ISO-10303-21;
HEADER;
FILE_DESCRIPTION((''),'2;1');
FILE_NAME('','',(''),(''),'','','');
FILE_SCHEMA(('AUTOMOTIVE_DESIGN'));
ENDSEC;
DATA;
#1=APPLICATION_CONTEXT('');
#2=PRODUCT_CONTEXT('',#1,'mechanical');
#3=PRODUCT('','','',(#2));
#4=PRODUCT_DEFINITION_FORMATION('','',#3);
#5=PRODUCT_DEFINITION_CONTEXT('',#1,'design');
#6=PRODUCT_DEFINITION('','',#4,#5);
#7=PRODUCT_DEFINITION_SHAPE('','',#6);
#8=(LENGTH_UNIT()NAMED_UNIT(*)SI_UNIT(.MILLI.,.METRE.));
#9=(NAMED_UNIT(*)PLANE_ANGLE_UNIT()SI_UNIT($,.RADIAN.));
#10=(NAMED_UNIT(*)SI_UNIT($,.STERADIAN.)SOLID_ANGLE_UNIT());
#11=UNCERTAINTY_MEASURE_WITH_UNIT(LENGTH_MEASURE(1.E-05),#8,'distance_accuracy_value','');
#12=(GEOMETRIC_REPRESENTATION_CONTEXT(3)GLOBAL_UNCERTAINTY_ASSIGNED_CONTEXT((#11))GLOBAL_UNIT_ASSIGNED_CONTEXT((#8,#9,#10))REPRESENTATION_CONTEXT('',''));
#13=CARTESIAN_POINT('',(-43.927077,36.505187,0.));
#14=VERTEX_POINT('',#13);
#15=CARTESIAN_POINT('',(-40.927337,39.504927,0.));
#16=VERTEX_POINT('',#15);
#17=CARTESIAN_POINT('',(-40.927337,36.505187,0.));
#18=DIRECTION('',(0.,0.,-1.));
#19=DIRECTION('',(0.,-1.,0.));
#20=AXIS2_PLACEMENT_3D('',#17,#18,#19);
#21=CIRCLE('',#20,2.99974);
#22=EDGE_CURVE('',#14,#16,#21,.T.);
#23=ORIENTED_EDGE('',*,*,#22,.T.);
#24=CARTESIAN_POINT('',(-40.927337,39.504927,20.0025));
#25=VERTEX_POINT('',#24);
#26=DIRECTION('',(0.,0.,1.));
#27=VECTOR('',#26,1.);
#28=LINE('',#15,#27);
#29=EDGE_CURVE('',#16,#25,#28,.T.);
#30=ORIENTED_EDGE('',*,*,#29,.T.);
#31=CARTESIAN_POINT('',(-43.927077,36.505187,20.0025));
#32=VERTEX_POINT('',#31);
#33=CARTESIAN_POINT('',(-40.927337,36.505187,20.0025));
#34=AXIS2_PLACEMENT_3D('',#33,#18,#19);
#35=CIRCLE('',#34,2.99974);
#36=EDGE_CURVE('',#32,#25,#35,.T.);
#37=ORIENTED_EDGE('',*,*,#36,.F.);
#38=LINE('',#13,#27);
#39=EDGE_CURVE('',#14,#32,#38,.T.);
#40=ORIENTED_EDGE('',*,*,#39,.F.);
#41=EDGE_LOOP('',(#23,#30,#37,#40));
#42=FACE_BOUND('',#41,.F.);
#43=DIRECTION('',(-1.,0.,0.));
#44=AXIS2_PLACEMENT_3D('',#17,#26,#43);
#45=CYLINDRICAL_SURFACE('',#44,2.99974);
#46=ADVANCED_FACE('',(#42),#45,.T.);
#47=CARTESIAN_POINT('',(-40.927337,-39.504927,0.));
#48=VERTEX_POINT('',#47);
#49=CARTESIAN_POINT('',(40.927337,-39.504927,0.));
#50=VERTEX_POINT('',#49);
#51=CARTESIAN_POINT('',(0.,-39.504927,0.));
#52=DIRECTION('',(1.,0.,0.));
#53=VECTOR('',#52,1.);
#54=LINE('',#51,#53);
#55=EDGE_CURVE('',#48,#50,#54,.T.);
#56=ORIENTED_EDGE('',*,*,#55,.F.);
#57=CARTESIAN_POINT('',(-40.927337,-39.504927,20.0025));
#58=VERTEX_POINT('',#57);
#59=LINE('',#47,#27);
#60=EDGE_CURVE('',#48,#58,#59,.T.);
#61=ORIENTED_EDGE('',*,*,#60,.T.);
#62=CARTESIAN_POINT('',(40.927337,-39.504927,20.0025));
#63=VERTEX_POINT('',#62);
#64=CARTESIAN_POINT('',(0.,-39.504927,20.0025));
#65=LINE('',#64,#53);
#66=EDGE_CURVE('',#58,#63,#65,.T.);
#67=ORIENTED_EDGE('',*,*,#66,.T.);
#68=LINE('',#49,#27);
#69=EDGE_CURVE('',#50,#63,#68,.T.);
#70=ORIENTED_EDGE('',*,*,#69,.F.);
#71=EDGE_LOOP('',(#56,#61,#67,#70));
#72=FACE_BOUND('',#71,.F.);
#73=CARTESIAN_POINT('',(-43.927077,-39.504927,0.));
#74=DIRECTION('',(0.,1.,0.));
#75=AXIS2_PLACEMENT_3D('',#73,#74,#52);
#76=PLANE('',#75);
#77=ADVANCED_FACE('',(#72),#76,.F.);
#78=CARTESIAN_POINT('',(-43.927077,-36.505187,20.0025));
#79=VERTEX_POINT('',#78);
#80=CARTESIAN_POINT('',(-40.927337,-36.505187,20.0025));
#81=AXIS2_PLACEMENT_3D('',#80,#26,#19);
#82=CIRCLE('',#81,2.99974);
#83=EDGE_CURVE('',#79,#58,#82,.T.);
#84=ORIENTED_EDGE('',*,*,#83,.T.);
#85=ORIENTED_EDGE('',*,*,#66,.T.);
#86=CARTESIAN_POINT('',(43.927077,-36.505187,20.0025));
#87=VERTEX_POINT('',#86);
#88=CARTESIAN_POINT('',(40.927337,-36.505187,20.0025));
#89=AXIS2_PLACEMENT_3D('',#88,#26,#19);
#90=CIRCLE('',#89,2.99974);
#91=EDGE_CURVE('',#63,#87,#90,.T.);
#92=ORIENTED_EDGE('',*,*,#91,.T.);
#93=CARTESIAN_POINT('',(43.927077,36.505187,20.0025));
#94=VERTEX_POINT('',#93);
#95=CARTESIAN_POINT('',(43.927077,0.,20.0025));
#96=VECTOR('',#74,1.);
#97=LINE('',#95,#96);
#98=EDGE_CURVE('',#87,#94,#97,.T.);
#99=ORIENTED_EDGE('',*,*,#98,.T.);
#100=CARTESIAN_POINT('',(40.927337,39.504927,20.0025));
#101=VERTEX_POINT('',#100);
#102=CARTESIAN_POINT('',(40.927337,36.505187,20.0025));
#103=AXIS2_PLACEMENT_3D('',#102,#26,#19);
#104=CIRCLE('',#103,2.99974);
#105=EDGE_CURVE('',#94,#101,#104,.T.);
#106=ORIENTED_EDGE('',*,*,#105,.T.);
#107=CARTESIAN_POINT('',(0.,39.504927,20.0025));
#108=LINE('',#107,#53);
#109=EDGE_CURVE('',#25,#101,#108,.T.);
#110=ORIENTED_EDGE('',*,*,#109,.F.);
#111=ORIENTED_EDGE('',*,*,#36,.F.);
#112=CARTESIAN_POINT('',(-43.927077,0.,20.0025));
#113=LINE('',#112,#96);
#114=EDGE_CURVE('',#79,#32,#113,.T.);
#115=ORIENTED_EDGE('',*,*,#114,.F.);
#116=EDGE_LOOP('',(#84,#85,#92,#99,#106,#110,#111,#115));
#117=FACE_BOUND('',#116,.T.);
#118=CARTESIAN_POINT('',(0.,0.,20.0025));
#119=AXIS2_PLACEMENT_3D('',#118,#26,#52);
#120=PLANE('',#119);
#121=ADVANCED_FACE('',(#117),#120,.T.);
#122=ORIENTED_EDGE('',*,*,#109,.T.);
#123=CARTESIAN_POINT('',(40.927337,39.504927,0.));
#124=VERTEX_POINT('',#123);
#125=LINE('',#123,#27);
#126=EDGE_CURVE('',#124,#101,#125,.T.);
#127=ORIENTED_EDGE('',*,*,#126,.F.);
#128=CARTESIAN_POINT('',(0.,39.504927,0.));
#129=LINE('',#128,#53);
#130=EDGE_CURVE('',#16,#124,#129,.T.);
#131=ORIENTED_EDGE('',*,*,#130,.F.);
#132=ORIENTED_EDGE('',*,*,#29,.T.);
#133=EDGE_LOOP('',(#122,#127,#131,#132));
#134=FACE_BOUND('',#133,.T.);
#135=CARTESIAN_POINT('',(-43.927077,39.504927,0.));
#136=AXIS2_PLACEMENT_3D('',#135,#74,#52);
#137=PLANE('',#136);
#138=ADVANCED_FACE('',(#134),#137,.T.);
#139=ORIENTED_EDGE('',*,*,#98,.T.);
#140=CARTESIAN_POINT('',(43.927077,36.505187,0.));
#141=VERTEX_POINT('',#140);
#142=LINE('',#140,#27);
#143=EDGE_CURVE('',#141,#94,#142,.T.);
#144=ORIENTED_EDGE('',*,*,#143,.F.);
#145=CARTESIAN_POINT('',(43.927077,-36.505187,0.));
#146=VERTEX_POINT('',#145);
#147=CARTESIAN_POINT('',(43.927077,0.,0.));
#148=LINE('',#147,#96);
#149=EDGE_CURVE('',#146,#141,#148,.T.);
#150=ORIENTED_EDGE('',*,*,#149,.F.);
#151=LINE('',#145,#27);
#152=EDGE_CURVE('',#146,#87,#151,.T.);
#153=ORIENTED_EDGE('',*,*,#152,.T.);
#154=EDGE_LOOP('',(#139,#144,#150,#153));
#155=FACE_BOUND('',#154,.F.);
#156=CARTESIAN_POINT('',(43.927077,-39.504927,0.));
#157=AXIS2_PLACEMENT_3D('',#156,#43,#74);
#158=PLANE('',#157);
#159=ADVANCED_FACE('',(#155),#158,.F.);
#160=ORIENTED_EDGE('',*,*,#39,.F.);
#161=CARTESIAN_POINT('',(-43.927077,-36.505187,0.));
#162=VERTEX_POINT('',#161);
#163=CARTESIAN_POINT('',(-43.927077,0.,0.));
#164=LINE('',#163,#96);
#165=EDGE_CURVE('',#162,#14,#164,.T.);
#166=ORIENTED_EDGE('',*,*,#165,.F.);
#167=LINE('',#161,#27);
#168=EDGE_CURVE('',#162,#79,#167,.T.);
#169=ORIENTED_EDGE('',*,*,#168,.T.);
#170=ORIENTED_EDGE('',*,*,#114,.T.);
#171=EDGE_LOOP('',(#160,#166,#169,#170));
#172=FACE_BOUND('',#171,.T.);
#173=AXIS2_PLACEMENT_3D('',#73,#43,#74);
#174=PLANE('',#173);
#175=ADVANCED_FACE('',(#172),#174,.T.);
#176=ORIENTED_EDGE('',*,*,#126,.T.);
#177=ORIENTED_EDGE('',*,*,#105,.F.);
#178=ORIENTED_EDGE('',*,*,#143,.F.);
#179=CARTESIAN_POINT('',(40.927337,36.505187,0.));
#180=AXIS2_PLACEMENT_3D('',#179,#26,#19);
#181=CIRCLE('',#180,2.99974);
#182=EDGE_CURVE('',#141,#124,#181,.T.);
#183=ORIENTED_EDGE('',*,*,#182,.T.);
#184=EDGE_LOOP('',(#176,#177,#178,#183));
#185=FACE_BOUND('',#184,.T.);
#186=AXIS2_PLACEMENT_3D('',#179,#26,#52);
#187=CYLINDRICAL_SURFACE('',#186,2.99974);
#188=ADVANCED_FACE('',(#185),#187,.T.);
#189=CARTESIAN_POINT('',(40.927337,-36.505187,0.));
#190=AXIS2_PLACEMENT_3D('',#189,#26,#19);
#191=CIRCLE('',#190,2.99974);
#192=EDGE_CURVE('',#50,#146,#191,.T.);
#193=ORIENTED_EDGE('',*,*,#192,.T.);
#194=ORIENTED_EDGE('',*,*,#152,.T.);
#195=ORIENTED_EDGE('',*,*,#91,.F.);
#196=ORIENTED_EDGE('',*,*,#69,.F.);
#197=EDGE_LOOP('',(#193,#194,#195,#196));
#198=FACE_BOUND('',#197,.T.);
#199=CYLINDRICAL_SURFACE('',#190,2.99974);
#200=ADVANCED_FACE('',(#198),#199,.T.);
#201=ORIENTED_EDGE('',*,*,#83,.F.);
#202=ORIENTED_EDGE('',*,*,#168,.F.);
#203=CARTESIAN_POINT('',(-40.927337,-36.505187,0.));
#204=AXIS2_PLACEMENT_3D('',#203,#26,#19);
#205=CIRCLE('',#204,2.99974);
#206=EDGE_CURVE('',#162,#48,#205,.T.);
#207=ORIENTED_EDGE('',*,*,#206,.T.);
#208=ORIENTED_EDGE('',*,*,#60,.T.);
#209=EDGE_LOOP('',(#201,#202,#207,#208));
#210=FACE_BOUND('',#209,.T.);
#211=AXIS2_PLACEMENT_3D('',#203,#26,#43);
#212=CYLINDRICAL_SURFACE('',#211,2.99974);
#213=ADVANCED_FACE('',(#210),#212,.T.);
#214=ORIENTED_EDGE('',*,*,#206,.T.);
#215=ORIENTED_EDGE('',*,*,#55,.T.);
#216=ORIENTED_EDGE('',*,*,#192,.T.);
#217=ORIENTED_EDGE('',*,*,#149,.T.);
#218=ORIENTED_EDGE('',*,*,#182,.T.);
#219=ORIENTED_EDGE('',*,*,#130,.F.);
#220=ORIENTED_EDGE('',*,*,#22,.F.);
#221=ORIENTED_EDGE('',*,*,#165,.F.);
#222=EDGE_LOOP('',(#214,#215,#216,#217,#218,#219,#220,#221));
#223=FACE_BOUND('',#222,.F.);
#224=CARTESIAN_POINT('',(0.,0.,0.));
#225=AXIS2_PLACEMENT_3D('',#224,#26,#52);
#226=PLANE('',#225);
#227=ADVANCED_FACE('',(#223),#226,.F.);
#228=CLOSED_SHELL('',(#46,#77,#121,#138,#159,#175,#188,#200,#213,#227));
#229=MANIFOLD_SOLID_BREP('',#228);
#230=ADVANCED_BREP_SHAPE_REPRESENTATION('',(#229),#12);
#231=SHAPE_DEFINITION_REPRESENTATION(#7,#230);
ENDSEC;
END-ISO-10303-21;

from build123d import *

# Parameters (mm, degrees)
F0_W     = 87.854154
F0_H     = 79.009854
F1_DEPTH = 20.0025
F2_R     = 2.99974
F3_R     = 2.99974


with BuildPart() as f1:
    # F0 (on Top) → F1 (new body)
    with BuildSketch(Plane.XY):
        Rectangle(F0_W, F0_H)
    extrude(amount=F1_DEPTH)

    # F2
    f2_edges = [f1.edges().sort_by_distance(p)[0] for p in [
        (-43.927077, -39.504927, 10.00125),
        (43.927077, -39.504927, 10.00125),
        (43.927077, 39.504927, 10.00125),
    ]]
    fillet(f2_edges, radius=F2_R)

    # F3
    f3_edges = [f1.edges().sort_by_distance(p)[0] for p in [
        (-43.927077, 39.504927, 10.00125),
    ]]
    fillet(f3_edges, radius=F3_R)


solid = f1.part
